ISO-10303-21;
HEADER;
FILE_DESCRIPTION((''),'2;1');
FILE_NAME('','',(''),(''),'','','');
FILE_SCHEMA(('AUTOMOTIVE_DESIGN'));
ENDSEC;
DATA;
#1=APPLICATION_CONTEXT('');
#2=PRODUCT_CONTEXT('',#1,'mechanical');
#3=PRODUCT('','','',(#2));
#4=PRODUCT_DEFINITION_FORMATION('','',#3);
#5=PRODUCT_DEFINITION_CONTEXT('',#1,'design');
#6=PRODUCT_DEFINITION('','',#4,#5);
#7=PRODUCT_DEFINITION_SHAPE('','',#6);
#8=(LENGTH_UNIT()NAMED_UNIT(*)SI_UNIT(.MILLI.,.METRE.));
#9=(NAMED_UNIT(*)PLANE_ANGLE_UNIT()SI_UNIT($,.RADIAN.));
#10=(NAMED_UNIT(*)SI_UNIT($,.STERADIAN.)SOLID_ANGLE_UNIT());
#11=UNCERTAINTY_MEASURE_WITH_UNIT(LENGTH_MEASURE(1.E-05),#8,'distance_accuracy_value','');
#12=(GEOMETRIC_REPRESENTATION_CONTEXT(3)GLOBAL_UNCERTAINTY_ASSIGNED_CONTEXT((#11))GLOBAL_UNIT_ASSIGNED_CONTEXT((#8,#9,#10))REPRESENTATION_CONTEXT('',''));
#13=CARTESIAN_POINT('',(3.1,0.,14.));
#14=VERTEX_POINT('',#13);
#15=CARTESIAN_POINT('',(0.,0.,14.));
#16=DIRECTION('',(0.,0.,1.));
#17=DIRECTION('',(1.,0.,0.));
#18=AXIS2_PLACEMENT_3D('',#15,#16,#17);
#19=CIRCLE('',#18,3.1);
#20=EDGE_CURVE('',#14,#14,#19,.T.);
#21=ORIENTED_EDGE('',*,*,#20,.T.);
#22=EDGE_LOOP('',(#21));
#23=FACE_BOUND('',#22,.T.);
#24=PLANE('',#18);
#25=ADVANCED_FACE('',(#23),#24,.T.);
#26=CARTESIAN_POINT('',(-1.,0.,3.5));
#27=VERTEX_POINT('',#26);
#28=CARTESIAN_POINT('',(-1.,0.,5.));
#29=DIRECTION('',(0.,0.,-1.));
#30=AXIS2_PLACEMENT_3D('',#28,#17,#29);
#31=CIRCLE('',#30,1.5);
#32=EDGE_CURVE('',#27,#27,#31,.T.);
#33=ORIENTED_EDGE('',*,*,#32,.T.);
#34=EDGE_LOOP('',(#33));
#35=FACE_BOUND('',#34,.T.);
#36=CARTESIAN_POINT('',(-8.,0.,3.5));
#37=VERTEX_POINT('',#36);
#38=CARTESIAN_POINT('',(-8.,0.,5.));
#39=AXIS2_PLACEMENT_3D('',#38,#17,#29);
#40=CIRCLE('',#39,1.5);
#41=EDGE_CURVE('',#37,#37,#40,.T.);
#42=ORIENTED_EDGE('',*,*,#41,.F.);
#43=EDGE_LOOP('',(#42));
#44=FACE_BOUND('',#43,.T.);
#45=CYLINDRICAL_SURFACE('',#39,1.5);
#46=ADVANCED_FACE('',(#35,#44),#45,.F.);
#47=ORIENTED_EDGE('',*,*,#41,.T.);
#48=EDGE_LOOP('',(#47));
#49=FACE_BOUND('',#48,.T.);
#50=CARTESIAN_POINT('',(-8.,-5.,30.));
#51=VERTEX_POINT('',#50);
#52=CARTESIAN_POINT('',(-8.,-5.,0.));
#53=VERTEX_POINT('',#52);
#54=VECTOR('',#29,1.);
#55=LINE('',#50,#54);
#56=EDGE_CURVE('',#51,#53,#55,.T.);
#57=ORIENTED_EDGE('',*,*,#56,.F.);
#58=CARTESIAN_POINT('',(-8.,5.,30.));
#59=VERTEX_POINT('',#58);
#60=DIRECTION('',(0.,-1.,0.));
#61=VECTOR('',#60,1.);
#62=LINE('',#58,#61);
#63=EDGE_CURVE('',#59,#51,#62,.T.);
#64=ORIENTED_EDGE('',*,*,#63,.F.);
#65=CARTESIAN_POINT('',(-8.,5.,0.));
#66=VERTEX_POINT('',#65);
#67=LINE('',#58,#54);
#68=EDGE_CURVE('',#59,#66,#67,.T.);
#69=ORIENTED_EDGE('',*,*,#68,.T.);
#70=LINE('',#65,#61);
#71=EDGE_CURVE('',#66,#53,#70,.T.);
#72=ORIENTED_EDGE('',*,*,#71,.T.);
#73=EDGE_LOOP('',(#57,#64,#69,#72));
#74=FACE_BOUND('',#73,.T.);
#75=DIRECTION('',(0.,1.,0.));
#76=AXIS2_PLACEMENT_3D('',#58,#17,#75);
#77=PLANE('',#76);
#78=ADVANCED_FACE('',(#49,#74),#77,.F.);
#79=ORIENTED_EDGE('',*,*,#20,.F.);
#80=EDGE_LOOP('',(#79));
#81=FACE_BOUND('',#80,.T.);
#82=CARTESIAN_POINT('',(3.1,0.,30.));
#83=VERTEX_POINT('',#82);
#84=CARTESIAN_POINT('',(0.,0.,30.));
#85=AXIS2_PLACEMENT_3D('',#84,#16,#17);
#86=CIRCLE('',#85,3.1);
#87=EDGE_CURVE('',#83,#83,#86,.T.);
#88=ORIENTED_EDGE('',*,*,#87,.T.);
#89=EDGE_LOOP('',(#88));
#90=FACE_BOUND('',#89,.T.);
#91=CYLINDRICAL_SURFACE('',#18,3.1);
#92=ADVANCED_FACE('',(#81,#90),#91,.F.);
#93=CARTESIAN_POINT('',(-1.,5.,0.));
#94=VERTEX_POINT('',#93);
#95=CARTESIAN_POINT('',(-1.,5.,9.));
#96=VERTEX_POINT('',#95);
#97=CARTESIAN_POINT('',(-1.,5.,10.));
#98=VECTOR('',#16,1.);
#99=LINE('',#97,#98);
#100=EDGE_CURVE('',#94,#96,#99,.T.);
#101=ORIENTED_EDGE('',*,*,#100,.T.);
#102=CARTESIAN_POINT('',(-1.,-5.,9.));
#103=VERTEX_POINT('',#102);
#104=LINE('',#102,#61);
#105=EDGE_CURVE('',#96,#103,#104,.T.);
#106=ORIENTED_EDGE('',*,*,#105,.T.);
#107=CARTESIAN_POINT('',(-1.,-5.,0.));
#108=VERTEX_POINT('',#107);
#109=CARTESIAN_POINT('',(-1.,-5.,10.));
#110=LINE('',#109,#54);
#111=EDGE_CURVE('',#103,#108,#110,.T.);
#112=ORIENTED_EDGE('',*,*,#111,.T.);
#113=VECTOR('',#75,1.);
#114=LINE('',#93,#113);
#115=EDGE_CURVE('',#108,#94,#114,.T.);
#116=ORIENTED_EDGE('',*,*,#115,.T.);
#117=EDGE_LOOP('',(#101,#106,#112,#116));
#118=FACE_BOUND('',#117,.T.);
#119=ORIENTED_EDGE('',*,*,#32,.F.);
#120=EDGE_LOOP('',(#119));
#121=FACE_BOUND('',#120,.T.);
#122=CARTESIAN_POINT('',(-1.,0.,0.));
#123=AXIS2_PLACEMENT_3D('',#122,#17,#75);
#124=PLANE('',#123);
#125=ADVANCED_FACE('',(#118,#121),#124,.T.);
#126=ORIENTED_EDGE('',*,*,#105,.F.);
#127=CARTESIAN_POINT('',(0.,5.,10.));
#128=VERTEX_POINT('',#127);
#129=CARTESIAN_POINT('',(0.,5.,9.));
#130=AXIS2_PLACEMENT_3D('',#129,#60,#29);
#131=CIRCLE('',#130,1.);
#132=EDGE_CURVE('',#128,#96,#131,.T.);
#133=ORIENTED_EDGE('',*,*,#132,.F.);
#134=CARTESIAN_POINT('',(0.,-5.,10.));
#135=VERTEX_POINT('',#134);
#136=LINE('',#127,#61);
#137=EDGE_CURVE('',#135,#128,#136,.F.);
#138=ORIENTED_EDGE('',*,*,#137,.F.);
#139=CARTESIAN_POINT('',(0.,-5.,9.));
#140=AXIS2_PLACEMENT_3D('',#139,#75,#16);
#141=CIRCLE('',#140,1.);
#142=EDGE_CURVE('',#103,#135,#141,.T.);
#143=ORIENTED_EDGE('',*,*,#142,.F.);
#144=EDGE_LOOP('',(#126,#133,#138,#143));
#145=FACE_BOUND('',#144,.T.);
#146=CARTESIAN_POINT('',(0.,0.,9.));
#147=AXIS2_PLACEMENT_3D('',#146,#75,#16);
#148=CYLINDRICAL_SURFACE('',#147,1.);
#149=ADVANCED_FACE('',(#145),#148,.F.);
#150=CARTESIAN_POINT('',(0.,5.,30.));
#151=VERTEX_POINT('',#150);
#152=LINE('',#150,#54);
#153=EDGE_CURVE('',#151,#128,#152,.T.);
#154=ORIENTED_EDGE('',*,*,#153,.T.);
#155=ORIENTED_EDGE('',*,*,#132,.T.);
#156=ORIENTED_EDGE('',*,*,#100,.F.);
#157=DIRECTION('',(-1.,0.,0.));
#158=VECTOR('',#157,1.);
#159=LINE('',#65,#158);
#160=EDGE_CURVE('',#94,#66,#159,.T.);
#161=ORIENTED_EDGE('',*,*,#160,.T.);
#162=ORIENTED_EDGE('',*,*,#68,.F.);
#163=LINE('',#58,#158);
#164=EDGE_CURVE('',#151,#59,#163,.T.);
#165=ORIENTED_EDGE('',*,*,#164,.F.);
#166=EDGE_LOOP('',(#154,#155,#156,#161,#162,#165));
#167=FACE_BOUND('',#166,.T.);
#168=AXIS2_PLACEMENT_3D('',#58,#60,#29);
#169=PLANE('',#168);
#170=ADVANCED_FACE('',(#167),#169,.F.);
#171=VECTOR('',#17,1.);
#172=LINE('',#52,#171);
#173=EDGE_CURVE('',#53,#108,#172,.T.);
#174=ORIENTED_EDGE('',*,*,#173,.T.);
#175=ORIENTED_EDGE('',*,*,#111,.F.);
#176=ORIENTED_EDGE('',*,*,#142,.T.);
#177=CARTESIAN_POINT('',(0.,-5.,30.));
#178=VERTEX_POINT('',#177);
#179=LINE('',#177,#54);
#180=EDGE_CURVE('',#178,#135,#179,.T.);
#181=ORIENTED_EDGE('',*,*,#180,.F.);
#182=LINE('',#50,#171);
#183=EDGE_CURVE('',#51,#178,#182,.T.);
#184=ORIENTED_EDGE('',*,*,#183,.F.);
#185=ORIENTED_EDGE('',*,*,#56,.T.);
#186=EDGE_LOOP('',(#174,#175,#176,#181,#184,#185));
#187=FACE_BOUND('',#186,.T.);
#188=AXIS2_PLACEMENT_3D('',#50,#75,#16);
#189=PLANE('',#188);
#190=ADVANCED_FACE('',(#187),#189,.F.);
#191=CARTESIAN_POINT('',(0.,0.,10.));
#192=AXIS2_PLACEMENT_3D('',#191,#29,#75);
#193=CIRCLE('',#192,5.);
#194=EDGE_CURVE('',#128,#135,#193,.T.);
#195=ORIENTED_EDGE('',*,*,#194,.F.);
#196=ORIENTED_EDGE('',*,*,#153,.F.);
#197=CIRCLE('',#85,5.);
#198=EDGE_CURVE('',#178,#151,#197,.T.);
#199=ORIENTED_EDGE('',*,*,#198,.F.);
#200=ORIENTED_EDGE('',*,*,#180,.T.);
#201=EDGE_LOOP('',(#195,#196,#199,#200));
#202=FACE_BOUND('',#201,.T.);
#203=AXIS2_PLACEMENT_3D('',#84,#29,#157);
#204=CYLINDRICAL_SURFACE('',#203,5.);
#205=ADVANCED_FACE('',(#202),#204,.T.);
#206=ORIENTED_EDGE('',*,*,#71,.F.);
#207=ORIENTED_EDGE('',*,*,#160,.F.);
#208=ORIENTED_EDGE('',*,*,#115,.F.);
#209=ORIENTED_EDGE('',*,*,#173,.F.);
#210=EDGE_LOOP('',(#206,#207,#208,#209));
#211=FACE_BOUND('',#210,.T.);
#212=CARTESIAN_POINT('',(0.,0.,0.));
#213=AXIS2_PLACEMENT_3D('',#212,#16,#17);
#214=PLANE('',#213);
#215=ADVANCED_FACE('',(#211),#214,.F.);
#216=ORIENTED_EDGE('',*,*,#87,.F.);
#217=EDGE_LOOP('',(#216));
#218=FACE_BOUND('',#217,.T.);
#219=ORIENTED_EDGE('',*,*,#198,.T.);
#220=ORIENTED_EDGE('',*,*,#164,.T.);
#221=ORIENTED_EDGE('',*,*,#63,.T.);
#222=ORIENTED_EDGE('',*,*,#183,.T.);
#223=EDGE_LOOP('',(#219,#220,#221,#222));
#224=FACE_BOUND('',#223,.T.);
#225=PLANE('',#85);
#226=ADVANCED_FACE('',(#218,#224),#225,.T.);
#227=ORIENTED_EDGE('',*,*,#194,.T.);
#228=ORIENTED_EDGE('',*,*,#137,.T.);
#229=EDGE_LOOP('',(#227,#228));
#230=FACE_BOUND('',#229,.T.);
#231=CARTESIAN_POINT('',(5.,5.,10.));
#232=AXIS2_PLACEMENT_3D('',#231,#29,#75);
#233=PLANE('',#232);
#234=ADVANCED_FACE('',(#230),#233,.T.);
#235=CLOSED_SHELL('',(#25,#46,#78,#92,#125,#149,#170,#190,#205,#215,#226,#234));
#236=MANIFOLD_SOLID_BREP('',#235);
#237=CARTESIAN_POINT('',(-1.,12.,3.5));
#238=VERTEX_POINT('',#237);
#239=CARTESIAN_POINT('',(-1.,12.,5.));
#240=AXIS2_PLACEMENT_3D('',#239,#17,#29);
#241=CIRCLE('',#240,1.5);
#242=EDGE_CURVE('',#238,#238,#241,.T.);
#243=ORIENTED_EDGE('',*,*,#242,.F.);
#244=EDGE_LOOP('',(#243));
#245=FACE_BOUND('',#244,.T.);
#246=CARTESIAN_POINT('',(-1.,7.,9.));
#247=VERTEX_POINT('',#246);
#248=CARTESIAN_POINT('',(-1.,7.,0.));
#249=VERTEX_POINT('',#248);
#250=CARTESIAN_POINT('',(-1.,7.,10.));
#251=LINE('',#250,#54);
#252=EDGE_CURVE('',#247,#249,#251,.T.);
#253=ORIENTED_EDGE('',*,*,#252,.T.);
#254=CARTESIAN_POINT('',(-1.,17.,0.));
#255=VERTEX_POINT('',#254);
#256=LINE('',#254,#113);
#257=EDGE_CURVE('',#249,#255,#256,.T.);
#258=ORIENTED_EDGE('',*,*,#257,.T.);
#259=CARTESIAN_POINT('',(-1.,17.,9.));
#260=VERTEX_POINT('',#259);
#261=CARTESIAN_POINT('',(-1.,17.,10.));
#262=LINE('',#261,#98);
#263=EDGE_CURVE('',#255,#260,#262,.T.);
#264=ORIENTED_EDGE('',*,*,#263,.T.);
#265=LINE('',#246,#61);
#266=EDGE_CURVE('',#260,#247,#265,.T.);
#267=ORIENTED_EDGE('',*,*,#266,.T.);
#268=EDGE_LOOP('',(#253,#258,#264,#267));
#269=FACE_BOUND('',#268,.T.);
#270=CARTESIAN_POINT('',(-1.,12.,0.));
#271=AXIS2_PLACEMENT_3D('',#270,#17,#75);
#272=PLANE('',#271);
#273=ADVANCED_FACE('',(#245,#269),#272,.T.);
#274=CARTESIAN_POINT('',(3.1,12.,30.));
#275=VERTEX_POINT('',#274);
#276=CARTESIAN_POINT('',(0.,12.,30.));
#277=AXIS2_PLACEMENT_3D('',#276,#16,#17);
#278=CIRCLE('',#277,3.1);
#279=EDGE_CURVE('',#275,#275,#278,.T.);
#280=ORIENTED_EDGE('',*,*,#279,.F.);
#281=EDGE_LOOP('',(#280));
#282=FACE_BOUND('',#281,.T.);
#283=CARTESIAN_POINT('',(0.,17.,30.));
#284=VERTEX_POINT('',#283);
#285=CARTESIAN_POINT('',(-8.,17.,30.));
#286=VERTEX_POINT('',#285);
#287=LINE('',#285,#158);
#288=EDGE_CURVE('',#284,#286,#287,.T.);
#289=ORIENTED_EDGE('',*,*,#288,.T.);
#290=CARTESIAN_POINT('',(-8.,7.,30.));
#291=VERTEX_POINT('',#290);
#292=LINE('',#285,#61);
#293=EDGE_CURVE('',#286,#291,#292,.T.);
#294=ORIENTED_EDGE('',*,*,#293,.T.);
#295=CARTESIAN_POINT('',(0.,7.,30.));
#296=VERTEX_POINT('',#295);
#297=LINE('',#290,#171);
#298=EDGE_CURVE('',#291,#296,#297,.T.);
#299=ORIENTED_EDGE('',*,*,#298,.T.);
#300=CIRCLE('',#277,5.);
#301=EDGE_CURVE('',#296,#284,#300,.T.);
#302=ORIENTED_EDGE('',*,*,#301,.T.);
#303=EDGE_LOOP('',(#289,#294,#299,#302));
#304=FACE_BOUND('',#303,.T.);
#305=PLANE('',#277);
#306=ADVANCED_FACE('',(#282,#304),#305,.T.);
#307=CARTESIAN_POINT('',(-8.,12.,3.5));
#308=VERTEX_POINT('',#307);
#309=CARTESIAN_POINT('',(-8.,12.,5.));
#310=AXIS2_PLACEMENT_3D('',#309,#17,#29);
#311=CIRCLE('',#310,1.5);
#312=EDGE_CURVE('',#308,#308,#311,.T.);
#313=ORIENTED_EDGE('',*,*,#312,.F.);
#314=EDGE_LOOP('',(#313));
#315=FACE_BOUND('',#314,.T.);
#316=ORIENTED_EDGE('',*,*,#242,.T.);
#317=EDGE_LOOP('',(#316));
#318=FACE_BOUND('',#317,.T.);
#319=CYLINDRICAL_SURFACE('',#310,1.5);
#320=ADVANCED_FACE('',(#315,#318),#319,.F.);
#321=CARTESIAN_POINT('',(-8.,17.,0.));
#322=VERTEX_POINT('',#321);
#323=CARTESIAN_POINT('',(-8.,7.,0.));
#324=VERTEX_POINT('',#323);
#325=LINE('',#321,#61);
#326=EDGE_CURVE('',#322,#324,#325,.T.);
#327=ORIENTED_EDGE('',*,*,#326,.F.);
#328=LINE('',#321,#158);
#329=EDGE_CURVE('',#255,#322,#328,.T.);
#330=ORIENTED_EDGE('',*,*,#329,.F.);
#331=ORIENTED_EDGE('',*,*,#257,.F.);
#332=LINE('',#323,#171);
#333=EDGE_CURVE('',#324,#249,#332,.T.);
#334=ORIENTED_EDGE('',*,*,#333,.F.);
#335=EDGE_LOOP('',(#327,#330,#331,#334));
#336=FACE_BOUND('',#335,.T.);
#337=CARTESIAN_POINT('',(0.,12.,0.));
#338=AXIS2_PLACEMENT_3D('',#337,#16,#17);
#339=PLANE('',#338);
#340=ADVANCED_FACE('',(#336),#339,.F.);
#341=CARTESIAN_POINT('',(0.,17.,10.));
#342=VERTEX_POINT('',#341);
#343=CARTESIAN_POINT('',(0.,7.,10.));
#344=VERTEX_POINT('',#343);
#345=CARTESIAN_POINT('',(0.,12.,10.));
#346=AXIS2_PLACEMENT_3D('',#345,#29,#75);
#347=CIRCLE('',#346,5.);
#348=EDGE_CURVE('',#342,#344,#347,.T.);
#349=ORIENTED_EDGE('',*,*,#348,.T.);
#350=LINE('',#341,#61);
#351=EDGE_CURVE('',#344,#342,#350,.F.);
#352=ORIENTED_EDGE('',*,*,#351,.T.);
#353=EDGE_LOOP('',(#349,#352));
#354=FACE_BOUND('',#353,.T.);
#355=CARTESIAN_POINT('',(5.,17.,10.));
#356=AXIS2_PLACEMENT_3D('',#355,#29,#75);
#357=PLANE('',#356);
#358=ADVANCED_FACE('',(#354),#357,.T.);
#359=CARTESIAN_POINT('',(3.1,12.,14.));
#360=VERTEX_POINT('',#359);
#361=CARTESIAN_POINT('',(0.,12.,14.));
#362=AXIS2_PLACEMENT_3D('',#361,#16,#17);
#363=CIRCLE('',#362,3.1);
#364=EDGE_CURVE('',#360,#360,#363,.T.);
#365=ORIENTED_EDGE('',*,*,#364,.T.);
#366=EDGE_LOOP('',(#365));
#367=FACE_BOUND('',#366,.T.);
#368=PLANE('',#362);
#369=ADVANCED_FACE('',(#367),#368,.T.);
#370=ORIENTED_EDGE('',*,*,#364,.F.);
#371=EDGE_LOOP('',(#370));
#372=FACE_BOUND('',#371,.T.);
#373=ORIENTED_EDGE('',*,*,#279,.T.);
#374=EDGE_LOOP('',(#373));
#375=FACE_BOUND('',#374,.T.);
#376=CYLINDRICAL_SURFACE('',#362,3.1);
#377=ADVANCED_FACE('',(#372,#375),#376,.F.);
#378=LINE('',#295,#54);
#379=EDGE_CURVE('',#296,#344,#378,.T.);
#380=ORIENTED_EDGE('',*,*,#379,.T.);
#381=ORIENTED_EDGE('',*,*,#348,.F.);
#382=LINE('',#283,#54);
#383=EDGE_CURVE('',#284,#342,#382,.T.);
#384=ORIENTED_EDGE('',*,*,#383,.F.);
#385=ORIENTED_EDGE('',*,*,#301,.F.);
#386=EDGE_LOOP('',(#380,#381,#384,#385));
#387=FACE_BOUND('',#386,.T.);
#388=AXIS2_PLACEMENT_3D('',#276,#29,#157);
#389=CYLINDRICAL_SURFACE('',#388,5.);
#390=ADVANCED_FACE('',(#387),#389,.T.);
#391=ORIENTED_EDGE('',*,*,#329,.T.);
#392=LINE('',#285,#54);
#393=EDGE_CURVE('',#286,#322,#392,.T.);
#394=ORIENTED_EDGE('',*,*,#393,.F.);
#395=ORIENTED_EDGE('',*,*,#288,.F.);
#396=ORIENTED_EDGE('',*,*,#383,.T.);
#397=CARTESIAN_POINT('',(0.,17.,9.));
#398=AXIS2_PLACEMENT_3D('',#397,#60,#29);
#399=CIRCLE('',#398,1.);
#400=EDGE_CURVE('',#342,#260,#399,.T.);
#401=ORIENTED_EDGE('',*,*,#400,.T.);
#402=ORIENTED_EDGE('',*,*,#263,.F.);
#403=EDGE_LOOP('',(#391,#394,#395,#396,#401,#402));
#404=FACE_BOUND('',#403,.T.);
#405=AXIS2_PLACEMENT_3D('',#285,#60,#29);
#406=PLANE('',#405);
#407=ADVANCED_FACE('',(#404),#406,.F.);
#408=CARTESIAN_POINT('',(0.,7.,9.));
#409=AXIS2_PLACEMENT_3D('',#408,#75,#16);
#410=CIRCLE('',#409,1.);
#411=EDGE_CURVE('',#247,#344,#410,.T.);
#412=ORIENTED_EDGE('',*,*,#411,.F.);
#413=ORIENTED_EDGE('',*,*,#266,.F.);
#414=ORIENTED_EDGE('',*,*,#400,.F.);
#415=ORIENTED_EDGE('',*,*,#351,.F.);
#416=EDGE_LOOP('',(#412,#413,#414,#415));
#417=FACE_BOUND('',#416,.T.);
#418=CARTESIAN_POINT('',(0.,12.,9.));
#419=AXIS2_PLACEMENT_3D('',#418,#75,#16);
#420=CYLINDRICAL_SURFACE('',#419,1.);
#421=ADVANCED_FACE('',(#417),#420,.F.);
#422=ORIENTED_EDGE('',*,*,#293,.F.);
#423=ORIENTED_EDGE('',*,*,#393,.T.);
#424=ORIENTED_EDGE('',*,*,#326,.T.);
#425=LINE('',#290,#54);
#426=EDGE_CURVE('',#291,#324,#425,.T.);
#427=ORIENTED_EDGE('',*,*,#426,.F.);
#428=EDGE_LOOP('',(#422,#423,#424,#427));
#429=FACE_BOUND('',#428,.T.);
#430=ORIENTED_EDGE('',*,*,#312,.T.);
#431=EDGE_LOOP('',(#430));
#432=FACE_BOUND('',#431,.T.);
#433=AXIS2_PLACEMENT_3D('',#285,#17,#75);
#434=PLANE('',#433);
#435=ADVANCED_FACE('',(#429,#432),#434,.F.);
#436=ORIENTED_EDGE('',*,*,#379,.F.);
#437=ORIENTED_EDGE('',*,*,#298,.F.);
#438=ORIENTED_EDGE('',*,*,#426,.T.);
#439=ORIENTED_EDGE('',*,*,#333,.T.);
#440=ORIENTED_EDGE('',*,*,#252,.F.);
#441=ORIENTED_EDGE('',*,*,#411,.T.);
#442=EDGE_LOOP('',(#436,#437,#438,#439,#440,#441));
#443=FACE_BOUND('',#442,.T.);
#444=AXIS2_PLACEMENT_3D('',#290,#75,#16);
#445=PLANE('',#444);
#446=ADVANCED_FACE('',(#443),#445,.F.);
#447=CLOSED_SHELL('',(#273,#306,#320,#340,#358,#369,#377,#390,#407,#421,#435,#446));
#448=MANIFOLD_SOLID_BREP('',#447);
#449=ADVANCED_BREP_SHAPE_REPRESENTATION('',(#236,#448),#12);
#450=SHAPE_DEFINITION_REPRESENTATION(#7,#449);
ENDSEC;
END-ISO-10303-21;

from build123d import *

# Parameters (mm, degrees)
MAIN_DEPTH                     = 30
SKETCH2_R                      = 3.1
SHAFTHOLE_DEPTH                = 16
SKETCH3_W                      = 10
SKETCH3_H                      = 10
MAKERBEAMRECTANGULARHOLE_DEPTH = 7
SKETCH4_R                      = 1.5
MAKERBEAMHOLE_DEPTH            = 8
FILLET1_R                      = 1
LPATTERN1_COUNT                = 2
LPATTERN1_PITCH                = 12


with BuildPart() as part:
    # Sketch1 → Main (new body)
    with BuildSketch(Plane.XY):
        with BuildLine():
            Line((-8, 5), (-8, -5))
            Line((-8, -5), (0, -5))
            ThreePointArc((0, -5), (5, 0), (0, 5))
            Line((0, 5), (-8, 5))
        make_face()
    extrude(amount=MAIN_DEPTH)

    # Sketch2 → ShaftHole (cut)
    with BuildSketch(Plane.XY.offset(30)):
        Circle(SKETCH2_R)
    extrude(amount=-SHAFTHOLE_DEPTH, mode=Mode.SUBTRACT)

    # Sketch3 → MakerBeamRectangularHole (cut, through all)
    with BuildSketch(Plane(origin=(-1, 0, 0), x_dir=(0, 0, -1), z_dir=(1, 0, 0))):
        with Locations((-5, 0)):
            Rectangle(SKETCH3_W, SKETCH3_H)
    extrude(amount=MAKERBEAMRECTANGULARHOLE_DEPTH, mode=Mode.SUBTRACT)

    # Sketch4 → MakerBeamHole (cut, through all)
    with BuildSketch(Plane(origin=(-1, 0, 0), x_dir=(0, 0, -1), z_dir=(1, 0, 0))):
        with Locations((-5, 0)):
            Circle(SKETCH4_R)
    extrude(amount=-MAKERBEAMHOLE_DEPTH, mode=Mode.SUBTRACT)

    # Fillet1
    fillet1_edges = [part.edges().sort_by_distance(p)[0] for p in [
        (-1, 0, 10),
    ]]
    fillet(fillet1_edges, radius=FILLET1_R)


with BuildPart() as lpattern1_1:
    # LPattern1: pattern copy
    add(part.part.moved(Location(Vector(0, 1, 0) * (1 * LPATTERN1_PITCH))))


solid = Compound([part.part, lpattern1_1.part])
